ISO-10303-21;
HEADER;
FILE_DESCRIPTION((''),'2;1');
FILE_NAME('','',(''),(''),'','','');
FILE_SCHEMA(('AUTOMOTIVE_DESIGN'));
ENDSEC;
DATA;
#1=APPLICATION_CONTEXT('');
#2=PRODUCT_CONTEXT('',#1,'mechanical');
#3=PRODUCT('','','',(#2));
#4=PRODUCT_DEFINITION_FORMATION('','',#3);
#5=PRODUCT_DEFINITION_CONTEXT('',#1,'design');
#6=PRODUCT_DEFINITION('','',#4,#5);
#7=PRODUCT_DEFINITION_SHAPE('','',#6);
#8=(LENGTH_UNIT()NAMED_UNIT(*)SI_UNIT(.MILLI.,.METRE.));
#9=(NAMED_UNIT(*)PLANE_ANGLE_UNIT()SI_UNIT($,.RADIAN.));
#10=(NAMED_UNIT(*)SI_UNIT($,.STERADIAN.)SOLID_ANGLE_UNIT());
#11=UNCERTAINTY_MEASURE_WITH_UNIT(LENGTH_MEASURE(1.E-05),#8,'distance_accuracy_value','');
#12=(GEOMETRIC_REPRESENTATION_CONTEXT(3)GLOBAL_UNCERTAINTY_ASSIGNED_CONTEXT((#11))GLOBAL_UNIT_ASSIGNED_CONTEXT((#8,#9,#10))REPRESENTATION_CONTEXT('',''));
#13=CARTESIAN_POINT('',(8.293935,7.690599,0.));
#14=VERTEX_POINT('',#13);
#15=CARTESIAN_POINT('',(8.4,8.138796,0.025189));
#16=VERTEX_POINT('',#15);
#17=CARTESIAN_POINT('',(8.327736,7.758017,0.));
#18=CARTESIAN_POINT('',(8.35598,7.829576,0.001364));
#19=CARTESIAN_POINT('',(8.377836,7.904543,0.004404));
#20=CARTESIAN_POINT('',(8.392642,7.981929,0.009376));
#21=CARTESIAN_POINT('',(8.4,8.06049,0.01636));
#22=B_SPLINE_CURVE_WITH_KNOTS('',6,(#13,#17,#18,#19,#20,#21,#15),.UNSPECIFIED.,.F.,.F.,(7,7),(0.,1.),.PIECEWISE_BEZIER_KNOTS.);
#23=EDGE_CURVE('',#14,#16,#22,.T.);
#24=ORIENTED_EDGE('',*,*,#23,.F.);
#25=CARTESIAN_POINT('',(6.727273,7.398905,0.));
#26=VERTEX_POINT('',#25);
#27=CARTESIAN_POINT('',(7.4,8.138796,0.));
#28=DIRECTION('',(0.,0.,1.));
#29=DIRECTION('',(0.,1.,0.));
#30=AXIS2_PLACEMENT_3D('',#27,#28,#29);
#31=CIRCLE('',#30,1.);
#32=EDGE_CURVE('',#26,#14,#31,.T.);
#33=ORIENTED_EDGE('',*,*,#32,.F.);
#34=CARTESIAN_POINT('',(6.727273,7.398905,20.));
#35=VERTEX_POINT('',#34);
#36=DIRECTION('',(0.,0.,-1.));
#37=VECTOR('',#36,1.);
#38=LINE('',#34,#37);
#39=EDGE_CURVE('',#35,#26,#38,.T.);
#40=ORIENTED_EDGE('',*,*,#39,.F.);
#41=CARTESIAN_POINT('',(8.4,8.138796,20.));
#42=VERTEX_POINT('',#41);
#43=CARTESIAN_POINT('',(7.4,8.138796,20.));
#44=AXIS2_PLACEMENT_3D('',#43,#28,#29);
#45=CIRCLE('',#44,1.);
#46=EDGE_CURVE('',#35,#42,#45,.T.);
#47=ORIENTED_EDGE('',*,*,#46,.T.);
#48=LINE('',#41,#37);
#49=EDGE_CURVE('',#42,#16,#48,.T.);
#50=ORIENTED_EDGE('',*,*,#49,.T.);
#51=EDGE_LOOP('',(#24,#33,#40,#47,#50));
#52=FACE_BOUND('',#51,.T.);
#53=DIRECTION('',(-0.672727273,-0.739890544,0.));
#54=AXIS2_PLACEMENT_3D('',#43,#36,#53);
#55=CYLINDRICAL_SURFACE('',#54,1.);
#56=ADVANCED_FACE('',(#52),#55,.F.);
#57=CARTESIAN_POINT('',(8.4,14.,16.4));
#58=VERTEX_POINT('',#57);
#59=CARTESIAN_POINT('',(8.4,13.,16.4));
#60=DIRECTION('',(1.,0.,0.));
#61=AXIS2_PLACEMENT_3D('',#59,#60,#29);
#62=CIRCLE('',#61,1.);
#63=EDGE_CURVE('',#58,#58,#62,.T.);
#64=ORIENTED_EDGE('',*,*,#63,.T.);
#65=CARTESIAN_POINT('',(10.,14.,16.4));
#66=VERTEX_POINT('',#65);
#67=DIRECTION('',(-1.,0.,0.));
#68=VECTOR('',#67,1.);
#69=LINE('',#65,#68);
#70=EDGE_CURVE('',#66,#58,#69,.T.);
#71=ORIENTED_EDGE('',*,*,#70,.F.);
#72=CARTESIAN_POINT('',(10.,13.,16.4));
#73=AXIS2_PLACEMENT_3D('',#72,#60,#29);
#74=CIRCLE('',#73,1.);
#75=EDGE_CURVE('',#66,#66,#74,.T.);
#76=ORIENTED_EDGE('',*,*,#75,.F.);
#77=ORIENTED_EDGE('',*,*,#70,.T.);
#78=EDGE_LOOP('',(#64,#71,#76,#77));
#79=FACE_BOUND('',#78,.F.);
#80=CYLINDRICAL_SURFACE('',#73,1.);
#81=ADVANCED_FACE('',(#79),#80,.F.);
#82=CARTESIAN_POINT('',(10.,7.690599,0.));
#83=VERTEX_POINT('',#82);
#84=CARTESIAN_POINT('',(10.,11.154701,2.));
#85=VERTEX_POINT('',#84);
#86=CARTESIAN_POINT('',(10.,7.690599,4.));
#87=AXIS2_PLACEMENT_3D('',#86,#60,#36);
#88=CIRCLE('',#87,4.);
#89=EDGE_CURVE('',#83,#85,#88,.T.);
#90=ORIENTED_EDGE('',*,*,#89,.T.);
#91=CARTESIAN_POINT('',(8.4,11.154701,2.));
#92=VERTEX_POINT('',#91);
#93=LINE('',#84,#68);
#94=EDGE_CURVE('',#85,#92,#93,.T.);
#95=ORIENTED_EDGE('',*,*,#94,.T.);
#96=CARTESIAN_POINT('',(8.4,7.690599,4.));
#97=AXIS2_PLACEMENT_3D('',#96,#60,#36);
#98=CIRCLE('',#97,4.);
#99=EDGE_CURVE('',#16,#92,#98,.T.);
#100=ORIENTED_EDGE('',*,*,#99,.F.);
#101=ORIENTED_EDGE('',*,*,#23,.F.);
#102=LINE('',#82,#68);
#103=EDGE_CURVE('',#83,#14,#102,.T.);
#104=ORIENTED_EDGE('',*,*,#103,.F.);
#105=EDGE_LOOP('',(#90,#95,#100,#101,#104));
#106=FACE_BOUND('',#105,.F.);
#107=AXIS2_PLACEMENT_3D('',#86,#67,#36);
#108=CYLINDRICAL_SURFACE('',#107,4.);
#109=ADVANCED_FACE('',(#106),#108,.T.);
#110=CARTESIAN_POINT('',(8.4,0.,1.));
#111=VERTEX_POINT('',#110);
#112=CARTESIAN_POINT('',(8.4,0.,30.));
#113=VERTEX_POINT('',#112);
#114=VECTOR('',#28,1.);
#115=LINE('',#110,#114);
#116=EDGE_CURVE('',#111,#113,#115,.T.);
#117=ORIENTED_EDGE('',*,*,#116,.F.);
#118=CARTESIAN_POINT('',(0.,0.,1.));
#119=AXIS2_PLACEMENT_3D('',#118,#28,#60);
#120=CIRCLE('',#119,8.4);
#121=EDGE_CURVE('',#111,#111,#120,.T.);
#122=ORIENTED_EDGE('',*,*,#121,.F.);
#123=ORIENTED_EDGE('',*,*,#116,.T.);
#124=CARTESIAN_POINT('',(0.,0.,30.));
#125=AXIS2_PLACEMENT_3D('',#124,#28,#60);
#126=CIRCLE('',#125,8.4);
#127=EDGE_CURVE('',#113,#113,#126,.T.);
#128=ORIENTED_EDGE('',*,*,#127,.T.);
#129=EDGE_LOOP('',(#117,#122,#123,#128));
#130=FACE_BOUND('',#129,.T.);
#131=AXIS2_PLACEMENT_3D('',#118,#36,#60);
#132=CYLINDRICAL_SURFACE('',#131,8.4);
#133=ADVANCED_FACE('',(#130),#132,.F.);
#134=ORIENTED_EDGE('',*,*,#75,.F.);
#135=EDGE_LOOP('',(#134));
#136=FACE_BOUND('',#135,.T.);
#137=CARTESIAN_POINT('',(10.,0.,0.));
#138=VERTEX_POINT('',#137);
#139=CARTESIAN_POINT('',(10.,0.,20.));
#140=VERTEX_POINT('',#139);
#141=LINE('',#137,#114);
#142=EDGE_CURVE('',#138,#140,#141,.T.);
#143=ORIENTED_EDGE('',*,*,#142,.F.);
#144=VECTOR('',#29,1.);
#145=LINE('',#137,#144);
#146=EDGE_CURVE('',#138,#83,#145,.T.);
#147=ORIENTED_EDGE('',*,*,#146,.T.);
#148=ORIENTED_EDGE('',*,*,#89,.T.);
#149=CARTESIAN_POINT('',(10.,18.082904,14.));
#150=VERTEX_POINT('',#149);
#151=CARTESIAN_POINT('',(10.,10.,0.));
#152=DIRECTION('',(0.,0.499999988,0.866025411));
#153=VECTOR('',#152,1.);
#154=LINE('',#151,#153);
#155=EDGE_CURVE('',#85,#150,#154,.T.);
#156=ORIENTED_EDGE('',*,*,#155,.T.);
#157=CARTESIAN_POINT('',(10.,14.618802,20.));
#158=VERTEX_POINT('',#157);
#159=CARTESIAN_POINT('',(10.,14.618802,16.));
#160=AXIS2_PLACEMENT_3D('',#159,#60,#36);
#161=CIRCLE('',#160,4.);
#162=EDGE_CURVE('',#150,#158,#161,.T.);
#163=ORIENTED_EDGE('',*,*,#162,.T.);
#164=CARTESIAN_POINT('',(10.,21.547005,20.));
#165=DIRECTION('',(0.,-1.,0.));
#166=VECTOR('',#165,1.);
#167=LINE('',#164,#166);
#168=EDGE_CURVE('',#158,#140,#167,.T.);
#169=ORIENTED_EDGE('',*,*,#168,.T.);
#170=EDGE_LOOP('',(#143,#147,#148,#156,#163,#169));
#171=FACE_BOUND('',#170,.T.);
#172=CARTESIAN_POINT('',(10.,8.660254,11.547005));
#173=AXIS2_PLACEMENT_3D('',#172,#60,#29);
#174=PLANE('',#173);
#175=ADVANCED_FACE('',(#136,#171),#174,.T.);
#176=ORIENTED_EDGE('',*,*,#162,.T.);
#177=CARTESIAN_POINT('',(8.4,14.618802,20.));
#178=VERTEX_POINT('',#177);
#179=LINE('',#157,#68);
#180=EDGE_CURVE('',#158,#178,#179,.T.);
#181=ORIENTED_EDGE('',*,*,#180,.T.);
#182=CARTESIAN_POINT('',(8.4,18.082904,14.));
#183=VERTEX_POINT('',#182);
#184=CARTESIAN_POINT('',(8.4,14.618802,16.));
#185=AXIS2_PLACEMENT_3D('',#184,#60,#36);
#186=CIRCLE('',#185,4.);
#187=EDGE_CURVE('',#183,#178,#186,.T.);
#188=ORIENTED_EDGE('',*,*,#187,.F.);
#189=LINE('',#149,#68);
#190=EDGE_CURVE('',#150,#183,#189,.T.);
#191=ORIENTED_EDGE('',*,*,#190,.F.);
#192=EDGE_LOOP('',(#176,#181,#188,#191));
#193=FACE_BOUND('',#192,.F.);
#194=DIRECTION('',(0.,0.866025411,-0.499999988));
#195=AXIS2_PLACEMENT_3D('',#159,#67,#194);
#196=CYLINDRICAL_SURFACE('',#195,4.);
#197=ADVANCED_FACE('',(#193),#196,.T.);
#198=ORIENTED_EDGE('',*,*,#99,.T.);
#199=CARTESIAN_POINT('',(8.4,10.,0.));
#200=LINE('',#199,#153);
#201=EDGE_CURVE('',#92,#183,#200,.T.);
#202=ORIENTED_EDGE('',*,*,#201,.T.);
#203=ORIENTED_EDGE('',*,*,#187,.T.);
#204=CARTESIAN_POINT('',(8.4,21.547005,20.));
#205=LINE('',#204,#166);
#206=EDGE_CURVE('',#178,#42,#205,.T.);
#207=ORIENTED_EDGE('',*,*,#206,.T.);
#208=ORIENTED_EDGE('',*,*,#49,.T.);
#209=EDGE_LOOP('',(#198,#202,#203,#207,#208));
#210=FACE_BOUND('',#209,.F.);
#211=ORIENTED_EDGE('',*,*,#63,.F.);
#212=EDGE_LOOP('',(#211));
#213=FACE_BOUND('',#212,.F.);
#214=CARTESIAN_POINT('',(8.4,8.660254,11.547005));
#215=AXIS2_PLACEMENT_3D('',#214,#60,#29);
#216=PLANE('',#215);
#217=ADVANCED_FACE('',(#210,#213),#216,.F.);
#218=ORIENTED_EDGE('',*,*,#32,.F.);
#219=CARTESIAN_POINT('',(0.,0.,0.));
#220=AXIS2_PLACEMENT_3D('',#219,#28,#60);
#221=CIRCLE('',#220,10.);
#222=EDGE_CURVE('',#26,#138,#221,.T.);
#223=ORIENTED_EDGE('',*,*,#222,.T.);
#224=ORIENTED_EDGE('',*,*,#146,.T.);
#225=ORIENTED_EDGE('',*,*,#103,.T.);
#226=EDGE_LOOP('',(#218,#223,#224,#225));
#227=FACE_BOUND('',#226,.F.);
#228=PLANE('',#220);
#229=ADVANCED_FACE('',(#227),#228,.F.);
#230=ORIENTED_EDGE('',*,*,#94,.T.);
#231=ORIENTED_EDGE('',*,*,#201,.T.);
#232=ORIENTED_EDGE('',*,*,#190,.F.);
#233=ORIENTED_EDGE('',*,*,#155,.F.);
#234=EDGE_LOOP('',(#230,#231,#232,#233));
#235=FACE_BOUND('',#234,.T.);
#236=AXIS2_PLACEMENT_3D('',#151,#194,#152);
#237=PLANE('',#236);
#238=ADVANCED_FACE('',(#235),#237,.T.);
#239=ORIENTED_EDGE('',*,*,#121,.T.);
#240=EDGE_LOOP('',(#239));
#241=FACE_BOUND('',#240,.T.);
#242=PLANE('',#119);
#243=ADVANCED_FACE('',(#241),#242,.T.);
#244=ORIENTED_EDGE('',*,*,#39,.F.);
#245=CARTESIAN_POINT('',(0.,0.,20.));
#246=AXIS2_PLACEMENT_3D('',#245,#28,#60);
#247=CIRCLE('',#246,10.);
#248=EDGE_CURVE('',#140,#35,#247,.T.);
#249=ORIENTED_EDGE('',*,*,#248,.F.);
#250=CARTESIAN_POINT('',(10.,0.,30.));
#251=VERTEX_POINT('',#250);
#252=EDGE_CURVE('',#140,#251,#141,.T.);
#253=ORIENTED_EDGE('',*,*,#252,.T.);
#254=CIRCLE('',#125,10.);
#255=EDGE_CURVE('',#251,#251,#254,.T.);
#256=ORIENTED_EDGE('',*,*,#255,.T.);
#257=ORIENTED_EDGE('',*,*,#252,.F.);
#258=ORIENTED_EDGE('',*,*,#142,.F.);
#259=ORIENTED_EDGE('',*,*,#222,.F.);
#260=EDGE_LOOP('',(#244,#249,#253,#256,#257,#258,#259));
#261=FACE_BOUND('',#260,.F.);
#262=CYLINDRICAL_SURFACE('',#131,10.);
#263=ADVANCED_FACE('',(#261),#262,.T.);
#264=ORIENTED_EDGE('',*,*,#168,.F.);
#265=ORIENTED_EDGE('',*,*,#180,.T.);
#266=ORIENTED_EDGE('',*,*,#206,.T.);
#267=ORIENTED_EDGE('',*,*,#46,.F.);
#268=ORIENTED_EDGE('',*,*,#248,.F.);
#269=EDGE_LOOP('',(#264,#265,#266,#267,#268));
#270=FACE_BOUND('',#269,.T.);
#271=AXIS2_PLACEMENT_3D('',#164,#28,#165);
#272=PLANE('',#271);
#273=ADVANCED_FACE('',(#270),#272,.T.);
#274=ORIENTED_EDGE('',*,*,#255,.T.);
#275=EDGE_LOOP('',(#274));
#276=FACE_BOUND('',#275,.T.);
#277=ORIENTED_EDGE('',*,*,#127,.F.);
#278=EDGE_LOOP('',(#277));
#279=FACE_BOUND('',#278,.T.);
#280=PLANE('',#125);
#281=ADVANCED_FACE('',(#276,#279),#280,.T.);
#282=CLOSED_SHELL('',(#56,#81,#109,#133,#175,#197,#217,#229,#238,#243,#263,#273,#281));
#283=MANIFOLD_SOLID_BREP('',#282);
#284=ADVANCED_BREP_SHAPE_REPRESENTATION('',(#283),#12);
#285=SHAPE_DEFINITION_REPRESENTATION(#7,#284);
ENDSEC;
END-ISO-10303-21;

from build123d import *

# Parameters (mm, degrees)
F0_R     = 10
F1_DEPTH = 1
F2_R     = 10
F2_R_2   = 8.4
F3_DEPTH = 29
F6_DEPTH = 1.6
F7_R     = 1
F8_DEPTH = 1.6
F9_R     = 4
F10_R    = 1


with BuildPart() as f1:
    # F0 (on Top) → F1 (new body)
    with BuildSketch(Plane.XY):
        Circle(F0_R)
    extrude(amount=F1_DEPTH)

    # F2 (on face) → F3 (join)
    with BuildSketch(Plane.XY.offset(1)):
        Circle(F2_R)
        Circle(F2_R_2, mode=Mode.SUBTRACT)
    extrude(amount=F3_DEPTH)

    # F5 (on offset) → F6 (join)
    with BuildSketch(Plane.YZ.offset(10)):
        Polygon((0, 20), (0, 0), (10, 0), (21.547005, 20), align=None)
    extrude(amount=-F6_DEPTH)

    # F7 (on face) → F8 (cut, through all)
    with BuildSketch(Plane.YZ.offset(10)):
        with Locations((13, 16.4)):
            Circle(F7_R)
    extrude(amount=-F8_DEPTH, mode=Mode.SUBTRACT)

    # F9
    f9_edges = [f1.edges().sort_by_distance(p)[0] for p in [
        (9.2, 21.547005, 20),
        (9.2, 10, 0),
    ]]
    fillet(f9_edges, radius=F9_R)

    # F10
    f10_edges = [f1.edges().sort_by_distance(p)[0] for p in [
        (8.4, 5.425864, 10),
    ]]
    fillet(f10_edges, radius=F10_R)


solid = f1.part
